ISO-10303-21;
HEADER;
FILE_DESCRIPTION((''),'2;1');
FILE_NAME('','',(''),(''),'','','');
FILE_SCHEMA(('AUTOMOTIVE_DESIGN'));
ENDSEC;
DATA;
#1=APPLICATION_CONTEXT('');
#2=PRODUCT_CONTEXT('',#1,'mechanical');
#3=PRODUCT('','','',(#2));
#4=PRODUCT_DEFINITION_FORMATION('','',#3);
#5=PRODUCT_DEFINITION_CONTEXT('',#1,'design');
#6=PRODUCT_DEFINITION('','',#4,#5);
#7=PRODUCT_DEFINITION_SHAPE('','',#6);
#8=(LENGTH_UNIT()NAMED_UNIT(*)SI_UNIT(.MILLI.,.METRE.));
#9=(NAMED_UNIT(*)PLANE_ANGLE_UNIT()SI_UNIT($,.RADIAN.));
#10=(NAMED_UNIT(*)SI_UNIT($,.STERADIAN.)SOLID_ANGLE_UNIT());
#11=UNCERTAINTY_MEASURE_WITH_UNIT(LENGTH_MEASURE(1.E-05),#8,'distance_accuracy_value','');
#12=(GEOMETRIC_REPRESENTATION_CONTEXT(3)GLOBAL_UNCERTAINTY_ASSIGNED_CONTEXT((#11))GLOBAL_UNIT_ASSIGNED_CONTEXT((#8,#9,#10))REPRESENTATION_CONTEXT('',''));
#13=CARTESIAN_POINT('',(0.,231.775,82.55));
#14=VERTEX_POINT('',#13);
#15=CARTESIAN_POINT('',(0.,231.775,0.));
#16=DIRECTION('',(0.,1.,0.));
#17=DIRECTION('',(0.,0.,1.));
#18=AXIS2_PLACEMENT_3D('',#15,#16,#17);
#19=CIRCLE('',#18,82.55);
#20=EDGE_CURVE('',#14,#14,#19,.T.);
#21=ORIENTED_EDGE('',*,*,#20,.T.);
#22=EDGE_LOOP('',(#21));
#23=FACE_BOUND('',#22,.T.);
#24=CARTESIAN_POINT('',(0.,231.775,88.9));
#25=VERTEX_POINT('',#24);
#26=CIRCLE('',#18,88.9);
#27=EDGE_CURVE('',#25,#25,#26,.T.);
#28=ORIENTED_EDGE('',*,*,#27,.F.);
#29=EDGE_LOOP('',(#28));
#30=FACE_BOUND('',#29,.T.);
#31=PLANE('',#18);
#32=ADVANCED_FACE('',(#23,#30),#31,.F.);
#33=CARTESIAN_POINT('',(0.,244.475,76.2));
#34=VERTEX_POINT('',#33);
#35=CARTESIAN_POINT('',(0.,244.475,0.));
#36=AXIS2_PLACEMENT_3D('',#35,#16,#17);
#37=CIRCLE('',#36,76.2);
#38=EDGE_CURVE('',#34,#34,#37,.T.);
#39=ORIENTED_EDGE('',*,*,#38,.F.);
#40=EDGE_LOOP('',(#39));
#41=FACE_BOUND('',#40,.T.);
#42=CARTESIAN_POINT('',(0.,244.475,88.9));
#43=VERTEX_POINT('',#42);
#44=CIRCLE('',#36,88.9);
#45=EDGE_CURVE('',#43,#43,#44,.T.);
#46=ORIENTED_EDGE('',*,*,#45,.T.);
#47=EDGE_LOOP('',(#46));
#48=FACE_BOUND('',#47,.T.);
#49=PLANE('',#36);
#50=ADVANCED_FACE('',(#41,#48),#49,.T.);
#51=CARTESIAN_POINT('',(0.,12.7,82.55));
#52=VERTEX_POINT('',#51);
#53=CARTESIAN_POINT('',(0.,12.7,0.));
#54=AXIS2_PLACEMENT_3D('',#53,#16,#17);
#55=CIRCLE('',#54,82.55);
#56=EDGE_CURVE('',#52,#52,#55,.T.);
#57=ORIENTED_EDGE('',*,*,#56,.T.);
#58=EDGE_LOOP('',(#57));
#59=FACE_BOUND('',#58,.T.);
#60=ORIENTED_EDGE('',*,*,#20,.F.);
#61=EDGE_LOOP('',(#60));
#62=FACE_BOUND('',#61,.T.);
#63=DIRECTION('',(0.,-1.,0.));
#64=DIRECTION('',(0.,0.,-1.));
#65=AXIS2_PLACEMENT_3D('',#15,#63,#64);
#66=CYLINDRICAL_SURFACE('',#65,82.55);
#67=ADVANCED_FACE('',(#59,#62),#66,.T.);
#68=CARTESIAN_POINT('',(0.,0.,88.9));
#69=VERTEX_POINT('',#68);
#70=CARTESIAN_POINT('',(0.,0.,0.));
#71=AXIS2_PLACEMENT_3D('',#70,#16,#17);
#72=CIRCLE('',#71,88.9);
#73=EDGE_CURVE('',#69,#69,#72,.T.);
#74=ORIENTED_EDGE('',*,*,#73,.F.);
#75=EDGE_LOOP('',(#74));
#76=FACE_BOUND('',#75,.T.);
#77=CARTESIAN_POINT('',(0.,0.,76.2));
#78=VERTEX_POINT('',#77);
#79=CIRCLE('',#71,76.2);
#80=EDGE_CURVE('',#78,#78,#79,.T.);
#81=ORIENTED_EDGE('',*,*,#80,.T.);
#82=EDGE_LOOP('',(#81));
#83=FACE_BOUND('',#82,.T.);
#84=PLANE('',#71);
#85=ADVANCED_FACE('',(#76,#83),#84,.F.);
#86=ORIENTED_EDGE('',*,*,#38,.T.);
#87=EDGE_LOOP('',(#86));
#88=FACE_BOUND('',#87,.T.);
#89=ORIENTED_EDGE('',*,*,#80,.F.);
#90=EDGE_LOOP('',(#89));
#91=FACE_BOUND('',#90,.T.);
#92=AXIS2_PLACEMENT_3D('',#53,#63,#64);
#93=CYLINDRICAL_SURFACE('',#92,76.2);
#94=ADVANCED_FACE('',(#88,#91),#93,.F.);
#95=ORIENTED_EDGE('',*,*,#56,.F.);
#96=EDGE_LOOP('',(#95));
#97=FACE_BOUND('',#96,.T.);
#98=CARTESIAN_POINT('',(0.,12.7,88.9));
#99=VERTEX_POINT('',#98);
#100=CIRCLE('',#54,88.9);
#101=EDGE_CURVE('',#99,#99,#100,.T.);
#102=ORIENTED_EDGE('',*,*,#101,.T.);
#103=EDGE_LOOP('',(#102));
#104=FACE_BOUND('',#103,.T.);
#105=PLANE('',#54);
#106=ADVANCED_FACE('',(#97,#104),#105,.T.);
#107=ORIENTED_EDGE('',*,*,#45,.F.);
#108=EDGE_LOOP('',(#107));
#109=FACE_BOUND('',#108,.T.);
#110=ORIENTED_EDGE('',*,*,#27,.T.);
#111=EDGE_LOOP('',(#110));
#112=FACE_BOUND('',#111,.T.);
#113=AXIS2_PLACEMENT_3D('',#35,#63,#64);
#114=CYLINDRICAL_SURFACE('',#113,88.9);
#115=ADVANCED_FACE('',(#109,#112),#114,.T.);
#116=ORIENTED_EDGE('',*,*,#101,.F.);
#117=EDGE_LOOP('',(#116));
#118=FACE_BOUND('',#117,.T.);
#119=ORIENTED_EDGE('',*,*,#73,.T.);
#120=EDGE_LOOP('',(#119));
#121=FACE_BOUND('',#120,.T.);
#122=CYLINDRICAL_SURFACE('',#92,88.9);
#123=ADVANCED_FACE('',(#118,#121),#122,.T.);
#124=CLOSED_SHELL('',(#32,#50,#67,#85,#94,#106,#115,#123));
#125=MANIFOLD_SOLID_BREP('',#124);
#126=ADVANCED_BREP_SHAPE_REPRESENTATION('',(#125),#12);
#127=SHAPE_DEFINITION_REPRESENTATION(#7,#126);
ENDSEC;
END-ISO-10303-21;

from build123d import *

# Parameters (mm, degrees)
SKETCH1_R           = 88.9
SKETCH1_R_2         = 76.2
BOSS_EXTRUDE1_DEPTH = 12.7
SKETCH2_R           = 82.55
SKETCH2_R_2         = 76.2
BOSS_EXTRUDE2_DEPTH = 219.075
SKETCH3_R           = 88.9
SKETCH3_R_2         = 76.2
BOSS_EXTRUDE3_DEPTH = 12.7


with BuildPart() as part:
    # Sketch1 → Boss-Extrude1 (new body)
    with BuildSketch(Plane(origin=(0, 0, 0), x_dir=(1, 0, 0), z_dir=(0, 1, 0))):
        with Locations(Location((0, 0, 0), (0, 0, 270))):
            Circle(SKETCH1_R)
        with Locations(Location((0, 0, 0), (0, 0, 270))):
            Circle(SKETCH1_R_2, mode=Mode.SUBTRACT)
    extrude(amount=BOSS_EXTRUDE1_DEPTH)

    # Sketch2 → Boss-Extrude2 (add)
    with BuildSketch(Plane(origin=(0, 12.7, 0), x_dir=(1, 0, 0), z_dir=(0, 1, 0))):
        with Locations(Location((0, 0, 0), (0, 0, 270))):
            Circle(SKETCH2_R)
        with Locations(Location((0, 0, 0), (0, 0, 270))):
            Circle(SKETCH2_R_2, mode=Mode.SUBTRACT)
    extrude(amount=BOSS_EXTRUDE2_DEPTH)

    # Sketch3 → Boss-Extrude3 (add)
    with BuildSketch(Plane(origin=(0, 231.775, 0), x_dir=(1, 0, 0), z_dir=(0, 1, 0))):
        with Locations(Location((0, 0, 0), (0, 0, 270))):
            Circle(SKETCH3_R)
        with Locations(Location((0, 0, 0), (0, 0, 270))):
            Circle(SKETCH3_R_2, mode=Mode.SUBTRACT)
    extrude(amount=BOSS_EXTRUDE3_DEPTH)


solid = part.part
